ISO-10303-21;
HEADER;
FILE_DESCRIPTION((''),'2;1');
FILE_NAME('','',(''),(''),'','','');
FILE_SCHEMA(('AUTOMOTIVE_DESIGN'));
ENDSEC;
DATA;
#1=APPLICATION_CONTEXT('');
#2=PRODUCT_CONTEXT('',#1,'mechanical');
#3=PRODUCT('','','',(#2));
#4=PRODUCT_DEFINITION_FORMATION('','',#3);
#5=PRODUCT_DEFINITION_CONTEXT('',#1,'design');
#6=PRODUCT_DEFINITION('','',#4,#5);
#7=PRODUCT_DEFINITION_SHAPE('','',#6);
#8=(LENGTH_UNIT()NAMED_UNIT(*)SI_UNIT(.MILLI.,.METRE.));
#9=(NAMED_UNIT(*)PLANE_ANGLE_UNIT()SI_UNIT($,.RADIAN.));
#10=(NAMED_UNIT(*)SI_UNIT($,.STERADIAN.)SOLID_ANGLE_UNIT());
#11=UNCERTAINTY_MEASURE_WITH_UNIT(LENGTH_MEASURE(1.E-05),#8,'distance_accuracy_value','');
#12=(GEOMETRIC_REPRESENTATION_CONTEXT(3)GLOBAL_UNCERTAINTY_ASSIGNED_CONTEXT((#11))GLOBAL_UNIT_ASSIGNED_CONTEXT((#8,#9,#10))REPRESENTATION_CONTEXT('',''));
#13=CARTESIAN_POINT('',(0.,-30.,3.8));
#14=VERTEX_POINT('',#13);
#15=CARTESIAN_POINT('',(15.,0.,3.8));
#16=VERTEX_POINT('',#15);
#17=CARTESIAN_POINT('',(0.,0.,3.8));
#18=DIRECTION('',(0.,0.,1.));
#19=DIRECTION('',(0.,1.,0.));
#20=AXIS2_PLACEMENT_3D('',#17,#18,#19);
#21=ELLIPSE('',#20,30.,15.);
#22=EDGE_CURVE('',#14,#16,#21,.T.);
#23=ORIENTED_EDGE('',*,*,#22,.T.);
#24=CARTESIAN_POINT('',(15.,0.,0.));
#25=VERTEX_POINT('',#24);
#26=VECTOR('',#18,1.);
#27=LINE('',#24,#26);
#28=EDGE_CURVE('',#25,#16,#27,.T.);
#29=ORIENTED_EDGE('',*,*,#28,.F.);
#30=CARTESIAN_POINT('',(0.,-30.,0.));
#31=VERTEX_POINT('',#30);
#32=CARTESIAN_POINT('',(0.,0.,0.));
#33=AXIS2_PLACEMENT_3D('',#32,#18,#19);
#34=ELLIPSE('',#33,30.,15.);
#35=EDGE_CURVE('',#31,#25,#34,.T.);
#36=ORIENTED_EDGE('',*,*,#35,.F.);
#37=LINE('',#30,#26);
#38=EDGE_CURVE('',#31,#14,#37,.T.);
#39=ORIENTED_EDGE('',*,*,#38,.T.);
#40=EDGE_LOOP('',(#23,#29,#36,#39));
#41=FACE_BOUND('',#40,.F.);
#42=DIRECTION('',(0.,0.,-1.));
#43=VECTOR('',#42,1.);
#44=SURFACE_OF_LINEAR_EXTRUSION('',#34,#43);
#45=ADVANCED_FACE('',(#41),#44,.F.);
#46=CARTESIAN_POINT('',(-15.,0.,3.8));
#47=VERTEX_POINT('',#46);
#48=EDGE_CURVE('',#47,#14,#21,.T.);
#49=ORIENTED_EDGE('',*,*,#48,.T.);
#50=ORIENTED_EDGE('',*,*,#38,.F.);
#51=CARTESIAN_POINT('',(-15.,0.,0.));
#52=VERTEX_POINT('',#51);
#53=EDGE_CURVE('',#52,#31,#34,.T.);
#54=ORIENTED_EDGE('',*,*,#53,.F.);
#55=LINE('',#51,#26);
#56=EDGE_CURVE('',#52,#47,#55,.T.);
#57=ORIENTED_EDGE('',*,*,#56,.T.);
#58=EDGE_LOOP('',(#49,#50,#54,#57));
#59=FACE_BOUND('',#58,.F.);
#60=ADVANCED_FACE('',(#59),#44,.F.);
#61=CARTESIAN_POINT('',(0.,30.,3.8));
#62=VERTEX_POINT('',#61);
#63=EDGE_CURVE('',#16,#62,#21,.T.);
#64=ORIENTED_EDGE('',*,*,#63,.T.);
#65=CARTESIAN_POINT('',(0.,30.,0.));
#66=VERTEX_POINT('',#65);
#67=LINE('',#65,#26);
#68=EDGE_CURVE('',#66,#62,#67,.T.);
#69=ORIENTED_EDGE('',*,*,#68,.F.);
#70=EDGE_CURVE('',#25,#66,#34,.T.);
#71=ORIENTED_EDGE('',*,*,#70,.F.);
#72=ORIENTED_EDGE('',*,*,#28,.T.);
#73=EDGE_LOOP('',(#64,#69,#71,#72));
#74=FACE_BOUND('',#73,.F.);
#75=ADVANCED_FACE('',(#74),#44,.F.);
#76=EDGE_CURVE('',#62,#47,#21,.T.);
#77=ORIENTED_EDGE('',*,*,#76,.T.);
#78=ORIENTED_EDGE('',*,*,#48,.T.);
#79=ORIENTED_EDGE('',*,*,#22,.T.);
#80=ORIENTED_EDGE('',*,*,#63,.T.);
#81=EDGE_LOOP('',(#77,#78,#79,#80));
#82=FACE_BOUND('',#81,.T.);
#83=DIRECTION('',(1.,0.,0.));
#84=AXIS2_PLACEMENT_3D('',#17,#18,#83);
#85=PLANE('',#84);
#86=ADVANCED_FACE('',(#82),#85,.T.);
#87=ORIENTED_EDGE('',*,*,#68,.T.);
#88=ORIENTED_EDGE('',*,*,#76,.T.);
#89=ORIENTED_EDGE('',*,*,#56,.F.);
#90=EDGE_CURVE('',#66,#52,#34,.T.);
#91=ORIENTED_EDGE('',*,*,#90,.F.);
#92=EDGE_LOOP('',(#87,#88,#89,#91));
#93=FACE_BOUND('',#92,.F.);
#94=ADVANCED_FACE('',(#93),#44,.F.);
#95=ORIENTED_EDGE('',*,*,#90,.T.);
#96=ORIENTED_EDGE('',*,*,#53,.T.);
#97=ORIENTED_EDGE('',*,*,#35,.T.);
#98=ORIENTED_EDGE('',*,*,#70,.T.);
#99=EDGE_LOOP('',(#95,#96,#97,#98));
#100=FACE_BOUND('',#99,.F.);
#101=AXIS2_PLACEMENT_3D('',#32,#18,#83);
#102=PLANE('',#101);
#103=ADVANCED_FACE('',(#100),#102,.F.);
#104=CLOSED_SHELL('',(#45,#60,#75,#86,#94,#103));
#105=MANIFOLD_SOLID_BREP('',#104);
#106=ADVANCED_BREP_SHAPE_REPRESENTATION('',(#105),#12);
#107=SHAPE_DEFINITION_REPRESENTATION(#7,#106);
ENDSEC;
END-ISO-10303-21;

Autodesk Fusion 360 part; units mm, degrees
sketch "Sketch1" plane through (0, 0, 0) normal (0, 0, 1) x (1, 0, 0)
  ellipse E0 centre (0, 0) end of major axis (15, 0) minor radius 30
  line L0 (-15, 0) -> (15, 0)
  line L1 (0, -30) -> (0, 30)
  dimension "d1" = 60
extrude "Extrude1" add sketch "Sketch1" along normal blind 3.8
sketch "Sketch2" plane through (0, 0, 0) normal (0, 0, 1) x (1, 0, 0)
  ellipse E0 centre (0, 0) end of major axis (0, 30) minor radius 15
